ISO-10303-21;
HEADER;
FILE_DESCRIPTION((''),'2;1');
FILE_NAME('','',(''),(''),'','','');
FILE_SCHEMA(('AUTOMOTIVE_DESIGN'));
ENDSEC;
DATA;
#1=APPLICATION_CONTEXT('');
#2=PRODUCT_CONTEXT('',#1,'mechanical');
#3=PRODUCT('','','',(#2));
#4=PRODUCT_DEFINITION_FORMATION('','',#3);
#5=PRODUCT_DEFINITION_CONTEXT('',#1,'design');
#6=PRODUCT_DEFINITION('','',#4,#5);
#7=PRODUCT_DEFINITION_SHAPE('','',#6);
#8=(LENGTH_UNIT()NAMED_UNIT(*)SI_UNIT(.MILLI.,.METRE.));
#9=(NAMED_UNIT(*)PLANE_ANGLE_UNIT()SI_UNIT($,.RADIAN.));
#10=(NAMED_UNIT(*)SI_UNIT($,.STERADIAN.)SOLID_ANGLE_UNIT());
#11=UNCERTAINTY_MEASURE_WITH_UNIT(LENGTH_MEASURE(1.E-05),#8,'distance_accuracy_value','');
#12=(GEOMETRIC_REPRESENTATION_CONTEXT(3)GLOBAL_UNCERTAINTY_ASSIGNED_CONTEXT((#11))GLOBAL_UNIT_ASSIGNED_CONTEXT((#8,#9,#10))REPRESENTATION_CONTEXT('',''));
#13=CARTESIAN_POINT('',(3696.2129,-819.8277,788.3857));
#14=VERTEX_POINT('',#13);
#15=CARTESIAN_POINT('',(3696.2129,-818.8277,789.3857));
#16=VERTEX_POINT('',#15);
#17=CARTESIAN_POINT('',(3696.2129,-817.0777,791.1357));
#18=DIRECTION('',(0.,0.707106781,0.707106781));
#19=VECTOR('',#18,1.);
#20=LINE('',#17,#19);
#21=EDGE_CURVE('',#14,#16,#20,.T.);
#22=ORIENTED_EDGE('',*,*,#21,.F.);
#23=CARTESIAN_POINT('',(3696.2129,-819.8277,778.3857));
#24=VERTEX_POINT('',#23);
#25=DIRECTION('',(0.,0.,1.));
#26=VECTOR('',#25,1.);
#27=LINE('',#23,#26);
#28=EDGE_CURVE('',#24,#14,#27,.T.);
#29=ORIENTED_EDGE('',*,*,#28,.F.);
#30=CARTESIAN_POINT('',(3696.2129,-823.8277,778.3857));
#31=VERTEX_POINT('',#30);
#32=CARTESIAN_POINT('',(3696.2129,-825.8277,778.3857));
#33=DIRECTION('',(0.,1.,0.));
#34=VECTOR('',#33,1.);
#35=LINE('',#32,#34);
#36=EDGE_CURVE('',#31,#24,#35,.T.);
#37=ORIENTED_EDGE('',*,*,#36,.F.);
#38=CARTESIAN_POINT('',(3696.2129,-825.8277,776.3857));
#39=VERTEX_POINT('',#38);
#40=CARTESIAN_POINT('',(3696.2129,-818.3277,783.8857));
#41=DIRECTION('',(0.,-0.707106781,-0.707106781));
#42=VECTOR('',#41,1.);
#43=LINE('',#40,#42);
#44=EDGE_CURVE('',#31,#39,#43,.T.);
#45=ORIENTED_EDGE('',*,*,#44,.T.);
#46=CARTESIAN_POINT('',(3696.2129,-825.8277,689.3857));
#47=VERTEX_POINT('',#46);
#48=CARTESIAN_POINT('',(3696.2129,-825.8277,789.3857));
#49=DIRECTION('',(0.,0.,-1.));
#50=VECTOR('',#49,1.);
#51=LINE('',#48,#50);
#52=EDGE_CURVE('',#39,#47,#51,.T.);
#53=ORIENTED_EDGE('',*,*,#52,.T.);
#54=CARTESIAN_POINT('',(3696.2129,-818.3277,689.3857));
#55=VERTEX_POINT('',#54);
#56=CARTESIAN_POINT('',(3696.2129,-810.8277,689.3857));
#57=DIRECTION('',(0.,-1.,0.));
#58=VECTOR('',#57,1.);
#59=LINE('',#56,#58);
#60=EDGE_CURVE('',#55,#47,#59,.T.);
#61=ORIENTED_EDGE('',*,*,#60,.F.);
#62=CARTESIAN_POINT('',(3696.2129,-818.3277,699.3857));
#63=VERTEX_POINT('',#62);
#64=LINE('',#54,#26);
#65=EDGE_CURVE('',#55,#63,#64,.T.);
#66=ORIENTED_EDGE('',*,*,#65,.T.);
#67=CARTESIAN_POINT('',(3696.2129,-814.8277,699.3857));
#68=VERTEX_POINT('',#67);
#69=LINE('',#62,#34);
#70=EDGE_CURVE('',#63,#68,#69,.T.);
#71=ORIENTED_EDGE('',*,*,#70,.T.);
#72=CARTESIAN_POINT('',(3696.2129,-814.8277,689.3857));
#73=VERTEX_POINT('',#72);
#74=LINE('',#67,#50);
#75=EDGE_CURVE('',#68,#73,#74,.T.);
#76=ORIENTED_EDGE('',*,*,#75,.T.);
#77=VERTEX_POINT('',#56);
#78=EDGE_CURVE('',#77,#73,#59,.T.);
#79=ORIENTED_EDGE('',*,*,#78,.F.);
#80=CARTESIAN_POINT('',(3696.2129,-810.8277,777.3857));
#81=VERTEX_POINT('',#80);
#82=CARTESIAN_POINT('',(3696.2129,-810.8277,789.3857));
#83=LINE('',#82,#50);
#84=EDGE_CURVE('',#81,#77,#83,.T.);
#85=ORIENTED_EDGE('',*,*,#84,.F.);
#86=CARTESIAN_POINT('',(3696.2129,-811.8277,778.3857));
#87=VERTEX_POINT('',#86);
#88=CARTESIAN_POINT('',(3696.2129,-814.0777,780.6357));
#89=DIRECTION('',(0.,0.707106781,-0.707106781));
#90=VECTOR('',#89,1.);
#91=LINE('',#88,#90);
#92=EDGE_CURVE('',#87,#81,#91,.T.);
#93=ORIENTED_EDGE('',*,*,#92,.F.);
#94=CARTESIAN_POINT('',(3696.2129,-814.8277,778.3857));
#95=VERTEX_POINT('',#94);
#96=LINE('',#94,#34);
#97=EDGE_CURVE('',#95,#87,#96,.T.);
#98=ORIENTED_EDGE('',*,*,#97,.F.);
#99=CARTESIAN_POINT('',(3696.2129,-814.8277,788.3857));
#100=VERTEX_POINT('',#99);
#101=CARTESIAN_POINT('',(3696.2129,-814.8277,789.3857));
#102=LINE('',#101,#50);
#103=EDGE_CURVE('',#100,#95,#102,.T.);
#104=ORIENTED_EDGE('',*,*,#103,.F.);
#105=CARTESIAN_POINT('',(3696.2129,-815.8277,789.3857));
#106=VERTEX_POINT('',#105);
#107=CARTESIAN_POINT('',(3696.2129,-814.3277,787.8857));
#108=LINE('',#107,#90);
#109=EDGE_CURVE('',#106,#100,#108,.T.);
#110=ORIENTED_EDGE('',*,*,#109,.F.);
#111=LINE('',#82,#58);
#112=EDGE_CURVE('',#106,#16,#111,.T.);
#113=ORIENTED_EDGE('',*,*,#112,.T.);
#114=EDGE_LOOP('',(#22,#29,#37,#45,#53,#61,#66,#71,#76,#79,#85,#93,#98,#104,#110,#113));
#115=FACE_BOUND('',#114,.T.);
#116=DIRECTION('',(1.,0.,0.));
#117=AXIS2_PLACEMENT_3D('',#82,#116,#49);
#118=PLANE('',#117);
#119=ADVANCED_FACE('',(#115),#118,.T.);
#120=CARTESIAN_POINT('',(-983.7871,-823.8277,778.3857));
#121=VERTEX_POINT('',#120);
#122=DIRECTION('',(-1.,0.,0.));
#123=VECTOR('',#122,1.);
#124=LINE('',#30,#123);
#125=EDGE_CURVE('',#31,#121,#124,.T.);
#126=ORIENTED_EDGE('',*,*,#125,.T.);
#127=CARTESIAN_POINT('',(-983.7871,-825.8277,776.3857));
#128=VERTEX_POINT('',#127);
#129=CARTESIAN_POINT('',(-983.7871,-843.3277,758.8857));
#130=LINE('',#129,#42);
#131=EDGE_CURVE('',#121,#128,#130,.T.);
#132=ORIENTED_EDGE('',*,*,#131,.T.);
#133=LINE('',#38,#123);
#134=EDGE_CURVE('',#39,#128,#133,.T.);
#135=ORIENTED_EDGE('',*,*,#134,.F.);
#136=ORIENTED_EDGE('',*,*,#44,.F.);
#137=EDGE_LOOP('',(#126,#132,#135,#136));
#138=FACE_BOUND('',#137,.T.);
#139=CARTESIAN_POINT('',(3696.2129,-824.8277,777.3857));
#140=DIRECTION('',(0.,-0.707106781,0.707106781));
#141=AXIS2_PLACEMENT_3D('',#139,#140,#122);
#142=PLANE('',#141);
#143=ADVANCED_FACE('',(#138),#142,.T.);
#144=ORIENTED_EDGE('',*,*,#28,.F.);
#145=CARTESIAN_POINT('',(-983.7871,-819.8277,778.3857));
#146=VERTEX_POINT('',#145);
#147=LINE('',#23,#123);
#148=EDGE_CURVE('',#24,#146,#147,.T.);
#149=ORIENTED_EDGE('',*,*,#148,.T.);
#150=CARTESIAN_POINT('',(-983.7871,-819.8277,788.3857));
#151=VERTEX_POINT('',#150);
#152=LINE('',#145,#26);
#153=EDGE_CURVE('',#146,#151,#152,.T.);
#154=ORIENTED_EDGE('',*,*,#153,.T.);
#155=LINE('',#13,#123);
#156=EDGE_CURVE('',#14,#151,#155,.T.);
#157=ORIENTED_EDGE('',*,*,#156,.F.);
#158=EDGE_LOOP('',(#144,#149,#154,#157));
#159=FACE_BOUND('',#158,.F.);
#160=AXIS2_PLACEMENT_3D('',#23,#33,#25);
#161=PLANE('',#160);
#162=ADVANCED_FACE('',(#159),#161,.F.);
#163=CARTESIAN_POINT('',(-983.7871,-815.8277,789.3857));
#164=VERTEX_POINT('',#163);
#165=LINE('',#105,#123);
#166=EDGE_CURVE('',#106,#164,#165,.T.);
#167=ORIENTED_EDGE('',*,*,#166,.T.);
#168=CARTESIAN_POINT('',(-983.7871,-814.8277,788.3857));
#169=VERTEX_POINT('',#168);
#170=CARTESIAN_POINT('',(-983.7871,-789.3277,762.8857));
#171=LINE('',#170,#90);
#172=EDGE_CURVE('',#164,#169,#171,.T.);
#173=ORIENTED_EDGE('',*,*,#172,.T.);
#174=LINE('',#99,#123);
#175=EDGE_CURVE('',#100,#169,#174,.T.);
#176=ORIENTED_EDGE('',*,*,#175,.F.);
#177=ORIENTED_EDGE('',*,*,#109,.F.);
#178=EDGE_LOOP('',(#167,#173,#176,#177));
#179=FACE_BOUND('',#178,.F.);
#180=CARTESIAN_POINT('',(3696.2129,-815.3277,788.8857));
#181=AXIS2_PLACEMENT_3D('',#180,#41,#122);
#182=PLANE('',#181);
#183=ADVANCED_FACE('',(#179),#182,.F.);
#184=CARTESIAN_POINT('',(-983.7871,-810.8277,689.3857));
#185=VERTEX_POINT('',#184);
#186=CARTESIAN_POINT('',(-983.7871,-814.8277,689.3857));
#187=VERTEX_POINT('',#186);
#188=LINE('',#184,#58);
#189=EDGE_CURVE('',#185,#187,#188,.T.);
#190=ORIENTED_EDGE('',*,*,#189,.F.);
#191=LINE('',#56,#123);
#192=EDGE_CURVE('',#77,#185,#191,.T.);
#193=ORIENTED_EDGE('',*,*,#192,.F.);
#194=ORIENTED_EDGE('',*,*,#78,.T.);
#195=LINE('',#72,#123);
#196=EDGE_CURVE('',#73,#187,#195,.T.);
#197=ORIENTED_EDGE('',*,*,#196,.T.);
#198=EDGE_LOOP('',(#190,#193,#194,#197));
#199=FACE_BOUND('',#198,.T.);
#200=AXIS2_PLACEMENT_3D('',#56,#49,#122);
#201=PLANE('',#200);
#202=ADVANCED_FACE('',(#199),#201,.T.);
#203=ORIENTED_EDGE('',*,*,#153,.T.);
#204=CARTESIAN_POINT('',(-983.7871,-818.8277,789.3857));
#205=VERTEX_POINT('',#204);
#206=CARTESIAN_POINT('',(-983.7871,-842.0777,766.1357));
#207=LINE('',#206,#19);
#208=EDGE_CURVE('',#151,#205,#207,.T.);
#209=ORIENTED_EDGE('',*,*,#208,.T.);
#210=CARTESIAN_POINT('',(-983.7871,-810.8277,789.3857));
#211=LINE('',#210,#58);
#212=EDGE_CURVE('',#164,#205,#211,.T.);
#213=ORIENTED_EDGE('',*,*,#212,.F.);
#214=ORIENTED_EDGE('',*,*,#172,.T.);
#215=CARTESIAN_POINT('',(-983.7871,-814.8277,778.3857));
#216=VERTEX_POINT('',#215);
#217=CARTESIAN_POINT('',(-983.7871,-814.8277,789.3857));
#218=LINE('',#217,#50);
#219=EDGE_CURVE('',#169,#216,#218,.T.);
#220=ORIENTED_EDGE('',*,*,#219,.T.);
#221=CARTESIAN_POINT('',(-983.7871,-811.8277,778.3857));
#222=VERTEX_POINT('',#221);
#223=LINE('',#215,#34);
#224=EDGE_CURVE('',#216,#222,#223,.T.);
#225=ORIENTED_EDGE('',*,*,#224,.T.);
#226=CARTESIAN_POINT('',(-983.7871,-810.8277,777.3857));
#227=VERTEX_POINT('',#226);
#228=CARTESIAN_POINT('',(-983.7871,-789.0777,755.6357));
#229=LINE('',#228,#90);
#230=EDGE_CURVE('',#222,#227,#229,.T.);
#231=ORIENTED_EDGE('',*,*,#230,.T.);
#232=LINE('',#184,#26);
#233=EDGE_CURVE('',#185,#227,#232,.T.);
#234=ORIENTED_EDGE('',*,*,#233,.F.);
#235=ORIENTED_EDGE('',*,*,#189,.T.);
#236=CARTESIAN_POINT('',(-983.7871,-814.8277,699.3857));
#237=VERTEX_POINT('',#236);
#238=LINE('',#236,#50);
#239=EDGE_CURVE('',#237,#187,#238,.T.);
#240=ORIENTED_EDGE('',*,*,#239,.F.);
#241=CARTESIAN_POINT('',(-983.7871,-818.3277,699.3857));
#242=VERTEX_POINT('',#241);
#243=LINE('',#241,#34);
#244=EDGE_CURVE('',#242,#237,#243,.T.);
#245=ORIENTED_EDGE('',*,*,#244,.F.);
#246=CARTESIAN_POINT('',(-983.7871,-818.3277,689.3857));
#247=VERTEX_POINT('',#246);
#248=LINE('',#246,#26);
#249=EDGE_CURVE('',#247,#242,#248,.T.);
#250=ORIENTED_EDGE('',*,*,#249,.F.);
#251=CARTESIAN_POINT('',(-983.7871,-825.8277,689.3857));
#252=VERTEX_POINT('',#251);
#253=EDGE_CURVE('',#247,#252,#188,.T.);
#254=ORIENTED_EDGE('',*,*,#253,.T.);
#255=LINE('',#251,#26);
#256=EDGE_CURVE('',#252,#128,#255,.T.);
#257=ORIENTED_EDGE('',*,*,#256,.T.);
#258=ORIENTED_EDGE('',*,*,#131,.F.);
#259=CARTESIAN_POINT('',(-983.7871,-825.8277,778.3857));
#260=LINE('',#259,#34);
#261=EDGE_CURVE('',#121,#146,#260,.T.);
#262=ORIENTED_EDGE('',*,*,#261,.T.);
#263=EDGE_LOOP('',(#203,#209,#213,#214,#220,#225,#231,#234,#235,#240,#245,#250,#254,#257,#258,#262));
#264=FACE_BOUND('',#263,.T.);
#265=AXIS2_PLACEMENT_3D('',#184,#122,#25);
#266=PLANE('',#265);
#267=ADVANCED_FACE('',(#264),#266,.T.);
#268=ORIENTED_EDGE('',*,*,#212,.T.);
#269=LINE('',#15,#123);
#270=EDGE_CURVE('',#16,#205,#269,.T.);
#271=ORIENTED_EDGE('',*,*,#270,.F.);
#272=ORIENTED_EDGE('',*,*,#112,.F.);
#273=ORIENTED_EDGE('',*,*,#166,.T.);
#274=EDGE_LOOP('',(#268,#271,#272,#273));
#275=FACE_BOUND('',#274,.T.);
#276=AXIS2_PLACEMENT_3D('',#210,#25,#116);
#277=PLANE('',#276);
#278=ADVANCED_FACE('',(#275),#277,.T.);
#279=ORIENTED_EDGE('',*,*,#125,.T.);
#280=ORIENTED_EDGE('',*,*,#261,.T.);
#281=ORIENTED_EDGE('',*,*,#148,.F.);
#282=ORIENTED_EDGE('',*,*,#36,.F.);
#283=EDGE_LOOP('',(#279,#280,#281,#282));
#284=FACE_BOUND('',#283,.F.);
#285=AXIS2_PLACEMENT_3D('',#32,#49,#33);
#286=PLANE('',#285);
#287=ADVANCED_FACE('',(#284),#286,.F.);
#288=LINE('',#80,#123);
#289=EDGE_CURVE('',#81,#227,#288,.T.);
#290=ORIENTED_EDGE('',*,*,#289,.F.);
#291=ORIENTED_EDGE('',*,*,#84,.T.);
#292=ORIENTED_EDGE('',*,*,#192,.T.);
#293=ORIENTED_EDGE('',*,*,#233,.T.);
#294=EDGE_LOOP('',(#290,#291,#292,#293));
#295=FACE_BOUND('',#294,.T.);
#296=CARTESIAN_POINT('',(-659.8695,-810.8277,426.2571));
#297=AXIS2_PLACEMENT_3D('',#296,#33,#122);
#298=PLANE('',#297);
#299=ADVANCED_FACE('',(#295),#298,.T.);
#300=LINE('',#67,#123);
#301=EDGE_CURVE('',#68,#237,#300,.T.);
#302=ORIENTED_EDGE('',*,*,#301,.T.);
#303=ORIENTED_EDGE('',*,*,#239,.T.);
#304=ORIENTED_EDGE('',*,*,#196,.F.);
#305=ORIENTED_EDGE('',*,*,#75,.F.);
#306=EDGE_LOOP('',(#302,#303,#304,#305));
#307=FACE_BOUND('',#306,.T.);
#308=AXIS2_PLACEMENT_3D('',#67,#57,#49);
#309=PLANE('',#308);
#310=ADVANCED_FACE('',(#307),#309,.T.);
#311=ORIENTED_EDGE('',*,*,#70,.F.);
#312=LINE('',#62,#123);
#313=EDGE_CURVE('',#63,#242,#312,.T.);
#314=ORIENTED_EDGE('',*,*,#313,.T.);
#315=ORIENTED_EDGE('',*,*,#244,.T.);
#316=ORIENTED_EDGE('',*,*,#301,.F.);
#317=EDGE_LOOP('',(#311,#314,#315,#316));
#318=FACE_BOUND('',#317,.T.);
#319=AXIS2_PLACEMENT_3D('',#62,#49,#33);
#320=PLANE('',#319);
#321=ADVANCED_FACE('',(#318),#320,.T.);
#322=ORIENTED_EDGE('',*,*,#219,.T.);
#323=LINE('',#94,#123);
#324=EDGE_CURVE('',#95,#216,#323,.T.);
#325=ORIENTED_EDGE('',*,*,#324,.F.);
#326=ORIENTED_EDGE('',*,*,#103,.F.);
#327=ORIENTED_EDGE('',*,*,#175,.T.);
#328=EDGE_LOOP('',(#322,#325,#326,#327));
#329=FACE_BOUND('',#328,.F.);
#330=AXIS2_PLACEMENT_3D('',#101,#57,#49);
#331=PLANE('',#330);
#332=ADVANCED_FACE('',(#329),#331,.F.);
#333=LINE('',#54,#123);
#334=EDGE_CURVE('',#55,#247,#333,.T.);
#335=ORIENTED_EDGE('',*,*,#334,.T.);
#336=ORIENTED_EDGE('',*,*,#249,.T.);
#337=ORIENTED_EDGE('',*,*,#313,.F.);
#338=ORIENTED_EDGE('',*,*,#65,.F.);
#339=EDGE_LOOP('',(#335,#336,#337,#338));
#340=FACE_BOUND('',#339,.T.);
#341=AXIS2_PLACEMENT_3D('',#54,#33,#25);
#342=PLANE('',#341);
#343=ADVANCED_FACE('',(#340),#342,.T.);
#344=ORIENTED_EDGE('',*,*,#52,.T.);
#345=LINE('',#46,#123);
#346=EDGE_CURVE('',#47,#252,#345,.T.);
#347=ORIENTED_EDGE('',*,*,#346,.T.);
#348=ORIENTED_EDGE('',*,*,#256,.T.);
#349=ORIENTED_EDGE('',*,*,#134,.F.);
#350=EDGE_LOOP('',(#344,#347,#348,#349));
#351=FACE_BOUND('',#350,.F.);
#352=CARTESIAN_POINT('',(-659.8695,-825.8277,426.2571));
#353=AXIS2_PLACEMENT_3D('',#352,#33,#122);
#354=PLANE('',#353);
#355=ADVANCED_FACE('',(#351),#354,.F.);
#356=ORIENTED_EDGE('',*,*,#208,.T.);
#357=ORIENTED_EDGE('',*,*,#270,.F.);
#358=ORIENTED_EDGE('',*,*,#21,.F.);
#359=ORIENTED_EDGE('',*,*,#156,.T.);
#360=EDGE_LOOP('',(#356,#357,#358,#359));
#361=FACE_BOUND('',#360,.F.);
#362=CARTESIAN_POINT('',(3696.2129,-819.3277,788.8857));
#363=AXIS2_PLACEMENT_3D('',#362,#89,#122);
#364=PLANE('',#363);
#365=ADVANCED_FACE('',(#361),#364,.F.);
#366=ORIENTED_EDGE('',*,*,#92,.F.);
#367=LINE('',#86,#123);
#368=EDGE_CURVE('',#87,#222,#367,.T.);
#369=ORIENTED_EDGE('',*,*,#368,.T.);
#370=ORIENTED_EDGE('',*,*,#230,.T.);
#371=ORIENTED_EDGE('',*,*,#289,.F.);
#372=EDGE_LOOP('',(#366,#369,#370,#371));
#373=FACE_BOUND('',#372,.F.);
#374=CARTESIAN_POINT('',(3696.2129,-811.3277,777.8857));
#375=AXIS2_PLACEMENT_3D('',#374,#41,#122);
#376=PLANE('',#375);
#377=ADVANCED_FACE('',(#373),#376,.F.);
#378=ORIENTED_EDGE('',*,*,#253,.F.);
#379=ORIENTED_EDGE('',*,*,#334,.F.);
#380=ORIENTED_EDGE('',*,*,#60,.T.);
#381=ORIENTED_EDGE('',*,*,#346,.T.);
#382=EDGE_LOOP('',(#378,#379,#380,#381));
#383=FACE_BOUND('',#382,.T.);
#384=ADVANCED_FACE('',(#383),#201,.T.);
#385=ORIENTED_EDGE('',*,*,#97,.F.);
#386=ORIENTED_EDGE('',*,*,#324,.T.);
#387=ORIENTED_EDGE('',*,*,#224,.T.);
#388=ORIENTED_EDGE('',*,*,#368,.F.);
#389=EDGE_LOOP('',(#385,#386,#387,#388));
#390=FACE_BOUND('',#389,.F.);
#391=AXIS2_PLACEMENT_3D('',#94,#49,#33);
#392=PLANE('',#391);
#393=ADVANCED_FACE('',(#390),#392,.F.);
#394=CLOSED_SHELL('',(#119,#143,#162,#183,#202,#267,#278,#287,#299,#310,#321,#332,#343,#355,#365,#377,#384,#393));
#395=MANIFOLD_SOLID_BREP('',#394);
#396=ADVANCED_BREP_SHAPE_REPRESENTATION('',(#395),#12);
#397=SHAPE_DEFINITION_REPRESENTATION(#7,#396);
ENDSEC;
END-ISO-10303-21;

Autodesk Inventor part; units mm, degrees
ref_plane "YZ Plane" through (0, 0, 0) normal (1, 0, 0) x (0, 1, 0)
ref_plane "XZ Plane" through (0, 0, 0) normal (0, 1, 0) x (-1, 0, 0)
ref_plane "XY Plane" through (0, 0, 0) normal (0, 0, 1) x (1, 0, 0)
ref_plane "Arbeitsebene1" through (-659.8695, -810.8277, 426.2571) normal (0, 1, 0) x (-1, 0, 0)
sketch "Skizze1" plane through (-659.8695, -810.8277, 426.2571) normal (0, 1, 0) x (-1, 0, 0)
  line L0 (323.9176, 363.1286) -> (-4356.0824, 363.1286)
  line L1 (-4356.0824, 363.1286) -> (-4356.0824, 263.1286)
  line L2 (-4356.0824, 263.1286) -> (323.9176, 263.1286)
  line L3 (323.9176, 263.1286) -> (323.9176, 363.1286)
  dimension "d0" = 4680
  dimension "d1" = 100
extrude "Extrusion1" add sketch "Skizze1" against normal blind 15
sketch "Skizze2" plane through (3696.2129, -810.8277, 789.3857) normal (1, 0, 0) x (0, 0, -1)
  line L0 (0, 0) -> (100, 0) projected
  line L1 (0, 0) -> (0, -15) projected
  line L2 (100, -15) -> (0, -15) projected
  line L3 (100, 0) -> (100, -15) projected
  line L4 (0, -15) -> (100, -15) projected
  line L5 (0, -15) -> (11, -15)
  line L6 (11, -15) -> (11, -9)
  line L7 (11, -9) -> (0, -9)
  line L8 (0, -9) -> (0, -15)
  line L9 (100, 0) -> (0, 0) projected
  line L10 (11, 0) -> (0, 0)
  line L11 (0, 0) -> (0, -4)
  line L12 (0, -4) -> (11, -4)
  line L13 (11, -4) -> (11, 0)
  line L14 (100, 0) -> (100, -15) projected
  line L15 (100, -7.5) -> (90, -7.5)
  line L16 (90, -7.5) -> (90, -4)
  line L17 (90, -4) -> (100, -4)
  line L18 (100, -4) -> (100, -7.5)
  line L19 (0, -15) -> (100, -15)
  line L20 (100, -15) -> (100, 0)
  line L21 (100, 0) -> (0, 0)
  line L22 (0, 0) -> (0, -15)
  dimension "d4" = 5
  dimension "d5" = 11
  dimension "d6" = 4
  dimension "d7" = 10
extrude "Extrusion2" cut sketch "Skizze2" against normal up to surface (4680 mm away) contours L0 L13 L12 L1 | L7 L6 L2 L1 | L3 L15 L16 L17
chamfer "Fase1" distance 2 angle 45 1 edges at (1356.2129, -825.8277, 778.3857)
chamfer "Fase2" distance 1 angle 45 3 edges at (1356.2129, -814.8277, 789.3857) (1356.2129, -819.8277, 789.3857) (1356.2129, -810.8277, 778.3857)
properties part number "Brett_vorne"
